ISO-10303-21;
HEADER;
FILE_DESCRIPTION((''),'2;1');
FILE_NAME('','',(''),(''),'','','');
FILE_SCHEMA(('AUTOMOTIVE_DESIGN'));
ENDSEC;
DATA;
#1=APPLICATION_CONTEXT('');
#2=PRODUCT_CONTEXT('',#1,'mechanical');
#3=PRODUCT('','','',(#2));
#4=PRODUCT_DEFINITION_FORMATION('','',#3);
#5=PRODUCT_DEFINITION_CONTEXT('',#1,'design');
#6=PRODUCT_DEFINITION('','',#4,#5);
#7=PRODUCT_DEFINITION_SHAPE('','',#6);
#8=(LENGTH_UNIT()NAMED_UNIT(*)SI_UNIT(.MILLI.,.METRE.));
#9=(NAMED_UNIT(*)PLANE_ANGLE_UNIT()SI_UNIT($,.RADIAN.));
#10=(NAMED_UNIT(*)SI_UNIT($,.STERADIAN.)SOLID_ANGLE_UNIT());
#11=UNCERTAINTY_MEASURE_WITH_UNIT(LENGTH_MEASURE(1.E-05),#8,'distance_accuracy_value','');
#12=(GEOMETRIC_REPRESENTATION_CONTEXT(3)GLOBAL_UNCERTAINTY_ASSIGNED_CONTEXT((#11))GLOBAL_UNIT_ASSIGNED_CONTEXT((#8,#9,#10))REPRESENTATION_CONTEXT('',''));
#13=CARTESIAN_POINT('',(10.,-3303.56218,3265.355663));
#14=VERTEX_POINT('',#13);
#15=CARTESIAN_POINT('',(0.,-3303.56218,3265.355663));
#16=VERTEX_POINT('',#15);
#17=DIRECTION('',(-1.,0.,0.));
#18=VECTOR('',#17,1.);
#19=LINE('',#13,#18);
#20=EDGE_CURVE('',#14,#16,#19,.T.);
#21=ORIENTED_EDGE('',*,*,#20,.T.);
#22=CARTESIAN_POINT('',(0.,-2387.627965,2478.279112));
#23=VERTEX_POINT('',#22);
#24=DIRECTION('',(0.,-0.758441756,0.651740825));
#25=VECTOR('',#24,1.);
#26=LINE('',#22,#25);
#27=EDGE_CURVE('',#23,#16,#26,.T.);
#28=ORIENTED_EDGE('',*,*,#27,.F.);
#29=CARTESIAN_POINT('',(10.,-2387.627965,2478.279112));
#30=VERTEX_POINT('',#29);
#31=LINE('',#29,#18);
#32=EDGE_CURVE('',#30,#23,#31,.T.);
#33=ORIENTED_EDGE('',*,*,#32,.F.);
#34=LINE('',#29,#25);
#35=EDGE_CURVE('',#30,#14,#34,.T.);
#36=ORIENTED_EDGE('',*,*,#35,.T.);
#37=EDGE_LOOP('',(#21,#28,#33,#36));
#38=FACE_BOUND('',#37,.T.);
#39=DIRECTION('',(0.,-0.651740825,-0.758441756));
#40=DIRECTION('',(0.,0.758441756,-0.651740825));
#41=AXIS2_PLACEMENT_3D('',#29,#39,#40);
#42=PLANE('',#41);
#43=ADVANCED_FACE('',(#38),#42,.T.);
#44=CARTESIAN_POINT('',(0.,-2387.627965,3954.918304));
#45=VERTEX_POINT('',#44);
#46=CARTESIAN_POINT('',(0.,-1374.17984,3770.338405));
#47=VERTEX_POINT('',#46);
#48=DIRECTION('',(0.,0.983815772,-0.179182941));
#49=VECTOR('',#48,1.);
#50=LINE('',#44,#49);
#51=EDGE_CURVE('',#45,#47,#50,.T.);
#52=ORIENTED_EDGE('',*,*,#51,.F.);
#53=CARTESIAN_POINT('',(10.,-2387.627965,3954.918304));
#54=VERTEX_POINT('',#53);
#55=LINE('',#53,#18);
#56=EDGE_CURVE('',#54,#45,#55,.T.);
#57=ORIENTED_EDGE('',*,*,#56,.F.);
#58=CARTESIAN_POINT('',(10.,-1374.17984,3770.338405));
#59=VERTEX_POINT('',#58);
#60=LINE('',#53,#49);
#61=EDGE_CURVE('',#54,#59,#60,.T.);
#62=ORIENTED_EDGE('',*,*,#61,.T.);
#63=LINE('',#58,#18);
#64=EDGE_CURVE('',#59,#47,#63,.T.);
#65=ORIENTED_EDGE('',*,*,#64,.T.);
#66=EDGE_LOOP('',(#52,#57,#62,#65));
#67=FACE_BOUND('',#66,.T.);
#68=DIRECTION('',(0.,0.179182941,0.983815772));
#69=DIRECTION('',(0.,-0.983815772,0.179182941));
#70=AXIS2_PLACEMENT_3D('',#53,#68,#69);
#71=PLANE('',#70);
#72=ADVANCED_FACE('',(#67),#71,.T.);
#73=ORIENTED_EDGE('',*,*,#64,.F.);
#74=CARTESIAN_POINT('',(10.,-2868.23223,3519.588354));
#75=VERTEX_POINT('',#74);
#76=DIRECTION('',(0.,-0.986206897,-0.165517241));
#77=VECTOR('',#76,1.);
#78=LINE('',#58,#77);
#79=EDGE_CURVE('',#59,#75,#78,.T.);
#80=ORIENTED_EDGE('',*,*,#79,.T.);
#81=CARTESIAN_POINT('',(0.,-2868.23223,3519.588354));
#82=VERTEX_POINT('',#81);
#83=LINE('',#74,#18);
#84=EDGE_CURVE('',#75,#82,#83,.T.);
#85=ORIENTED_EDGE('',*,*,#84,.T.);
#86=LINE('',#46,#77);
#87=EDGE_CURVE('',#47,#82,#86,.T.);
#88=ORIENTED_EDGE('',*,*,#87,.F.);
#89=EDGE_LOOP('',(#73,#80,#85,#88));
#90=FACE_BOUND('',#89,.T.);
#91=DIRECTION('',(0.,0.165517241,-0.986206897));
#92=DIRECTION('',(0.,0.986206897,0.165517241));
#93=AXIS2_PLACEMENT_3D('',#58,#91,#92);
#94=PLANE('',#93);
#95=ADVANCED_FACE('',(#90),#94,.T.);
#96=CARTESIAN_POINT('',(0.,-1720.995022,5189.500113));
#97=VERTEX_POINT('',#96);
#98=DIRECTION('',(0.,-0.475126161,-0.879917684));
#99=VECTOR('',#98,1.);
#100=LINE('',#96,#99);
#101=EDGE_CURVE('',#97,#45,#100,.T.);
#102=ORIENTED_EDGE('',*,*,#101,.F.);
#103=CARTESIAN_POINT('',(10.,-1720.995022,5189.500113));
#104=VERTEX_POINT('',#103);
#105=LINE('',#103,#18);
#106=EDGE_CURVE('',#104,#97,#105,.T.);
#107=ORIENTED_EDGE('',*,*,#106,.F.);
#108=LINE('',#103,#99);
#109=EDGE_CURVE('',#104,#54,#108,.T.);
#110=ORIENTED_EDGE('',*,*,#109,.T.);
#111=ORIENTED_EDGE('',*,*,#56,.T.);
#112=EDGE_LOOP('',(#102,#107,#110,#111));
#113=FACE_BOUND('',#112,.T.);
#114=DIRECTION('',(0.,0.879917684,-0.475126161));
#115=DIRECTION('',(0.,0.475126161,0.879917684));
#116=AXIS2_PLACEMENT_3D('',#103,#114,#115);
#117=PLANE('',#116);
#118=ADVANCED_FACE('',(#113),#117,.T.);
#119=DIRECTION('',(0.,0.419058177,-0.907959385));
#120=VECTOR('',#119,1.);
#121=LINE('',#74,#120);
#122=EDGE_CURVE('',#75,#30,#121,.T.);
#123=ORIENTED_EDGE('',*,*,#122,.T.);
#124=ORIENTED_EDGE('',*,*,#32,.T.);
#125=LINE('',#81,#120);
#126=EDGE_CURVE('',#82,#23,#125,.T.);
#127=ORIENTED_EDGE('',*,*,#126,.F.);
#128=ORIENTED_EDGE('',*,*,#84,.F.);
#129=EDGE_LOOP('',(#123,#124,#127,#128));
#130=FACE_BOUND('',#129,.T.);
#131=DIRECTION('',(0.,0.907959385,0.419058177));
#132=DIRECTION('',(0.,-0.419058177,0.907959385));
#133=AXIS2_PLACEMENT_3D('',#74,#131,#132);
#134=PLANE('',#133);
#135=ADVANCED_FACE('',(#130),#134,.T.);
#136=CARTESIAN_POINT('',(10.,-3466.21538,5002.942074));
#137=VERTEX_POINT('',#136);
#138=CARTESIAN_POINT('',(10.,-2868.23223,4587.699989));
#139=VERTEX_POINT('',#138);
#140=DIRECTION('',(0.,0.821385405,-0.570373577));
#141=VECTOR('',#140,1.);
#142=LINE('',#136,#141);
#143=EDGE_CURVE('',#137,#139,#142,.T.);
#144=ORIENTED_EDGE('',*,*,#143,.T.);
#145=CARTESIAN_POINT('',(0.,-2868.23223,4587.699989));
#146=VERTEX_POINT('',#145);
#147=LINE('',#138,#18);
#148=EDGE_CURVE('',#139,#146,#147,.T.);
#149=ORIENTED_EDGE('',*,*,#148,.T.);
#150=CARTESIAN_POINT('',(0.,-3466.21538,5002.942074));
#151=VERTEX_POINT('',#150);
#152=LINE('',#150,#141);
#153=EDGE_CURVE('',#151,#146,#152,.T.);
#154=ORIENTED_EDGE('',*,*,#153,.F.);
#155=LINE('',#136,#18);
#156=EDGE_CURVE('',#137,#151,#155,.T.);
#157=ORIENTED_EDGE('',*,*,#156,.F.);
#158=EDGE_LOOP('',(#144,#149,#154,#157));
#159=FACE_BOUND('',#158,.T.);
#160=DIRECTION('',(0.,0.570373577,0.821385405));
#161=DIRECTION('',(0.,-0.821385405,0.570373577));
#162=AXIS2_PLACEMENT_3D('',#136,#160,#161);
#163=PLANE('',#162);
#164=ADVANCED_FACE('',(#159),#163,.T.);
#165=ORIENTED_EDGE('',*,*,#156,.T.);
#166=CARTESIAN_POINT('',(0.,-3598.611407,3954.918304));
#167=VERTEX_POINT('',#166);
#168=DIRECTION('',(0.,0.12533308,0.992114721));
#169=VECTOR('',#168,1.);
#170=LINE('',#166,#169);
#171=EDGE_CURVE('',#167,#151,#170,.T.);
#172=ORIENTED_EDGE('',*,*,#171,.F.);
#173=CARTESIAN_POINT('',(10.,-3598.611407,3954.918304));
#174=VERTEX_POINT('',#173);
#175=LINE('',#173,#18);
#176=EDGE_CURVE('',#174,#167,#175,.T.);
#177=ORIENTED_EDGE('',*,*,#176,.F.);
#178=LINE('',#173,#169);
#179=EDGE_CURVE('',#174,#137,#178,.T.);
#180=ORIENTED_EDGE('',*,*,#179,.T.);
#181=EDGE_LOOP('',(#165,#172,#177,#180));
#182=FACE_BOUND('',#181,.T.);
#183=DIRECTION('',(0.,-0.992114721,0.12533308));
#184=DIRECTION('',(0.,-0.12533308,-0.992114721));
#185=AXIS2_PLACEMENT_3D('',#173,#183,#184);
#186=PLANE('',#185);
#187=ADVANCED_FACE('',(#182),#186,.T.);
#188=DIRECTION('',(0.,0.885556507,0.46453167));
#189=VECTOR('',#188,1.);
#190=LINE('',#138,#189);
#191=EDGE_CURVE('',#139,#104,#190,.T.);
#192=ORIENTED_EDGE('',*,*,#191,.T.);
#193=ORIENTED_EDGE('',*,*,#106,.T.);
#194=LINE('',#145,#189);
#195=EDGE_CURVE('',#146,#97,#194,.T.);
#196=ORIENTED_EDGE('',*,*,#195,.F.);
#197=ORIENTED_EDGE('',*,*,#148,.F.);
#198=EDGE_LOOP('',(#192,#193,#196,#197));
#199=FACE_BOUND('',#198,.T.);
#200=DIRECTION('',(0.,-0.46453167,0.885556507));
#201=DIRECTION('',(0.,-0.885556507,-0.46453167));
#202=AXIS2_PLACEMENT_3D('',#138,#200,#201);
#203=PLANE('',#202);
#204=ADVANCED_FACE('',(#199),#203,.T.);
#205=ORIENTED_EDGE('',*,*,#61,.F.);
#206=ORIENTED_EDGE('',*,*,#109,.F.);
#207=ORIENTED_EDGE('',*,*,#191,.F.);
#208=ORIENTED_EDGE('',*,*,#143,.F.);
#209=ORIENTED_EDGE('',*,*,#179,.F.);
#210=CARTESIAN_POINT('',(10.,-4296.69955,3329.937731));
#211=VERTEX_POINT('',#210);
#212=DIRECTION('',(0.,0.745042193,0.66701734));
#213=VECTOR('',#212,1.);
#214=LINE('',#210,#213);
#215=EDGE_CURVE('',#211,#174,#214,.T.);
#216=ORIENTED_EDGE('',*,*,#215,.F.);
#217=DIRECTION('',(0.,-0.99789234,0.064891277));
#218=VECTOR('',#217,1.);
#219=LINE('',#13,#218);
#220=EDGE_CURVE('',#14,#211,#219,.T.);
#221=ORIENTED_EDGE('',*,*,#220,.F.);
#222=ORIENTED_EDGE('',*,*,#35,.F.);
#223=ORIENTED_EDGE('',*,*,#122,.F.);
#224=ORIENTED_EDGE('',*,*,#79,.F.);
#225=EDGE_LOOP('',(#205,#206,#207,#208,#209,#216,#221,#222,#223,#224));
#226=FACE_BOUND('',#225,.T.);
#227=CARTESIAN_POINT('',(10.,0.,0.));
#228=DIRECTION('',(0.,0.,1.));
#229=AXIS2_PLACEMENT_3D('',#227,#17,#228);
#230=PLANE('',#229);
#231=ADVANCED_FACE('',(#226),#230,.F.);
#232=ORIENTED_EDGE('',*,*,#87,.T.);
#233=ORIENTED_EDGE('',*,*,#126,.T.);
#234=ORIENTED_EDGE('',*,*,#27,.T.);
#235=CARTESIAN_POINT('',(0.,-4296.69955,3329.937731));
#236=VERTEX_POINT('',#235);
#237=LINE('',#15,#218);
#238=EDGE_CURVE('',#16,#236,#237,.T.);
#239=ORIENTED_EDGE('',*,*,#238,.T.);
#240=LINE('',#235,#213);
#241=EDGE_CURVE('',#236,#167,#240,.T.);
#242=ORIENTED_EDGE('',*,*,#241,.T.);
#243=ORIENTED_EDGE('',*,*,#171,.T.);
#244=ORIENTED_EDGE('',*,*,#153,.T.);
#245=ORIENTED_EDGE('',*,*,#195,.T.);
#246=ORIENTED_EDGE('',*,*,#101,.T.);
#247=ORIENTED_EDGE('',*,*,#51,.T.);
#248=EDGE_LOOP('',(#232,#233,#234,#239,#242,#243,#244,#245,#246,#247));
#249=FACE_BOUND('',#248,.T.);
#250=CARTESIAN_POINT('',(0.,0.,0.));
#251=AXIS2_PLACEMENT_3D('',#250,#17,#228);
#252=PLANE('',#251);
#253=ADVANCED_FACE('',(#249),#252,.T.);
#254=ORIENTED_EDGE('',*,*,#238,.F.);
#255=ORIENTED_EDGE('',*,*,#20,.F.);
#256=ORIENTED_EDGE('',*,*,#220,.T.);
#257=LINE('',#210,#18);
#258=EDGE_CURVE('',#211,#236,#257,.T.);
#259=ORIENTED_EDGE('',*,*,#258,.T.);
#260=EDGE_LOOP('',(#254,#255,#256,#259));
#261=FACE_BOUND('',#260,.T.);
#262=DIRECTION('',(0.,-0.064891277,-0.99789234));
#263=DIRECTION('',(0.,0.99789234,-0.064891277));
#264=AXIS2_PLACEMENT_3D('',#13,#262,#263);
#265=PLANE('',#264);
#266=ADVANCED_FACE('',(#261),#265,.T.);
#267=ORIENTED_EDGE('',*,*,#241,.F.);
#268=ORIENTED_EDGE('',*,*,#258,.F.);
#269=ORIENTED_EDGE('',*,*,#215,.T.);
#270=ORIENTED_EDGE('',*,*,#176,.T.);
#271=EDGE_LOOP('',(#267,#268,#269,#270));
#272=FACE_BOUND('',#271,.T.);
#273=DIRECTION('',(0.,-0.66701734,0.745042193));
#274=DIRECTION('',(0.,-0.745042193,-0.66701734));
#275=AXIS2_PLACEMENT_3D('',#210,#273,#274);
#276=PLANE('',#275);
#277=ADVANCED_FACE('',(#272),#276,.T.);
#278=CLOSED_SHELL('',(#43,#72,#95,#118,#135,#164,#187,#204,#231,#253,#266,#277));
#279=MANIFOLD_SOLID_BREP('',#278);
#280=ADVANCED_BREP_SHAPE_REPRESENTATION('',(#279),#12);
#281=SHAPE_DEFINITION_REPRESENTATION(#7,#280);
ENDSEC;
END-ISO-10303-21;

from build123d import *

# Parameters (mm, degrees)
BOSS_EXTRUDE1_DEPTH = 10


with BuildPart() as part:
    # Sketch1 → Boss-Extrude1 (new body)
    with BuildSketch(Plane(origin=(0, 0, 0), x_dir=(0, 0, -1), z_dir=(1, 0, 0))):
        Polygon((-3954.918303952, -2387.627964502), (-3770.33840501, -1374.179840119), (-3519.588353616, -2868.232229674), (-2478.279112411, -2387.627964502), (-3265.355662619, -3303.56218001), (-3329.937731412, -4296.69955023), (-3954.918303952, -3598.61140715), (-5002.942074311, -3466.215380014), (-4587.699989203, -2868.232229674), (-5189.500112548, -1720.995022313), align=None)
    extrude(amount=BOSS_EXTRUDE1_DEPTH)


solid = part.part
